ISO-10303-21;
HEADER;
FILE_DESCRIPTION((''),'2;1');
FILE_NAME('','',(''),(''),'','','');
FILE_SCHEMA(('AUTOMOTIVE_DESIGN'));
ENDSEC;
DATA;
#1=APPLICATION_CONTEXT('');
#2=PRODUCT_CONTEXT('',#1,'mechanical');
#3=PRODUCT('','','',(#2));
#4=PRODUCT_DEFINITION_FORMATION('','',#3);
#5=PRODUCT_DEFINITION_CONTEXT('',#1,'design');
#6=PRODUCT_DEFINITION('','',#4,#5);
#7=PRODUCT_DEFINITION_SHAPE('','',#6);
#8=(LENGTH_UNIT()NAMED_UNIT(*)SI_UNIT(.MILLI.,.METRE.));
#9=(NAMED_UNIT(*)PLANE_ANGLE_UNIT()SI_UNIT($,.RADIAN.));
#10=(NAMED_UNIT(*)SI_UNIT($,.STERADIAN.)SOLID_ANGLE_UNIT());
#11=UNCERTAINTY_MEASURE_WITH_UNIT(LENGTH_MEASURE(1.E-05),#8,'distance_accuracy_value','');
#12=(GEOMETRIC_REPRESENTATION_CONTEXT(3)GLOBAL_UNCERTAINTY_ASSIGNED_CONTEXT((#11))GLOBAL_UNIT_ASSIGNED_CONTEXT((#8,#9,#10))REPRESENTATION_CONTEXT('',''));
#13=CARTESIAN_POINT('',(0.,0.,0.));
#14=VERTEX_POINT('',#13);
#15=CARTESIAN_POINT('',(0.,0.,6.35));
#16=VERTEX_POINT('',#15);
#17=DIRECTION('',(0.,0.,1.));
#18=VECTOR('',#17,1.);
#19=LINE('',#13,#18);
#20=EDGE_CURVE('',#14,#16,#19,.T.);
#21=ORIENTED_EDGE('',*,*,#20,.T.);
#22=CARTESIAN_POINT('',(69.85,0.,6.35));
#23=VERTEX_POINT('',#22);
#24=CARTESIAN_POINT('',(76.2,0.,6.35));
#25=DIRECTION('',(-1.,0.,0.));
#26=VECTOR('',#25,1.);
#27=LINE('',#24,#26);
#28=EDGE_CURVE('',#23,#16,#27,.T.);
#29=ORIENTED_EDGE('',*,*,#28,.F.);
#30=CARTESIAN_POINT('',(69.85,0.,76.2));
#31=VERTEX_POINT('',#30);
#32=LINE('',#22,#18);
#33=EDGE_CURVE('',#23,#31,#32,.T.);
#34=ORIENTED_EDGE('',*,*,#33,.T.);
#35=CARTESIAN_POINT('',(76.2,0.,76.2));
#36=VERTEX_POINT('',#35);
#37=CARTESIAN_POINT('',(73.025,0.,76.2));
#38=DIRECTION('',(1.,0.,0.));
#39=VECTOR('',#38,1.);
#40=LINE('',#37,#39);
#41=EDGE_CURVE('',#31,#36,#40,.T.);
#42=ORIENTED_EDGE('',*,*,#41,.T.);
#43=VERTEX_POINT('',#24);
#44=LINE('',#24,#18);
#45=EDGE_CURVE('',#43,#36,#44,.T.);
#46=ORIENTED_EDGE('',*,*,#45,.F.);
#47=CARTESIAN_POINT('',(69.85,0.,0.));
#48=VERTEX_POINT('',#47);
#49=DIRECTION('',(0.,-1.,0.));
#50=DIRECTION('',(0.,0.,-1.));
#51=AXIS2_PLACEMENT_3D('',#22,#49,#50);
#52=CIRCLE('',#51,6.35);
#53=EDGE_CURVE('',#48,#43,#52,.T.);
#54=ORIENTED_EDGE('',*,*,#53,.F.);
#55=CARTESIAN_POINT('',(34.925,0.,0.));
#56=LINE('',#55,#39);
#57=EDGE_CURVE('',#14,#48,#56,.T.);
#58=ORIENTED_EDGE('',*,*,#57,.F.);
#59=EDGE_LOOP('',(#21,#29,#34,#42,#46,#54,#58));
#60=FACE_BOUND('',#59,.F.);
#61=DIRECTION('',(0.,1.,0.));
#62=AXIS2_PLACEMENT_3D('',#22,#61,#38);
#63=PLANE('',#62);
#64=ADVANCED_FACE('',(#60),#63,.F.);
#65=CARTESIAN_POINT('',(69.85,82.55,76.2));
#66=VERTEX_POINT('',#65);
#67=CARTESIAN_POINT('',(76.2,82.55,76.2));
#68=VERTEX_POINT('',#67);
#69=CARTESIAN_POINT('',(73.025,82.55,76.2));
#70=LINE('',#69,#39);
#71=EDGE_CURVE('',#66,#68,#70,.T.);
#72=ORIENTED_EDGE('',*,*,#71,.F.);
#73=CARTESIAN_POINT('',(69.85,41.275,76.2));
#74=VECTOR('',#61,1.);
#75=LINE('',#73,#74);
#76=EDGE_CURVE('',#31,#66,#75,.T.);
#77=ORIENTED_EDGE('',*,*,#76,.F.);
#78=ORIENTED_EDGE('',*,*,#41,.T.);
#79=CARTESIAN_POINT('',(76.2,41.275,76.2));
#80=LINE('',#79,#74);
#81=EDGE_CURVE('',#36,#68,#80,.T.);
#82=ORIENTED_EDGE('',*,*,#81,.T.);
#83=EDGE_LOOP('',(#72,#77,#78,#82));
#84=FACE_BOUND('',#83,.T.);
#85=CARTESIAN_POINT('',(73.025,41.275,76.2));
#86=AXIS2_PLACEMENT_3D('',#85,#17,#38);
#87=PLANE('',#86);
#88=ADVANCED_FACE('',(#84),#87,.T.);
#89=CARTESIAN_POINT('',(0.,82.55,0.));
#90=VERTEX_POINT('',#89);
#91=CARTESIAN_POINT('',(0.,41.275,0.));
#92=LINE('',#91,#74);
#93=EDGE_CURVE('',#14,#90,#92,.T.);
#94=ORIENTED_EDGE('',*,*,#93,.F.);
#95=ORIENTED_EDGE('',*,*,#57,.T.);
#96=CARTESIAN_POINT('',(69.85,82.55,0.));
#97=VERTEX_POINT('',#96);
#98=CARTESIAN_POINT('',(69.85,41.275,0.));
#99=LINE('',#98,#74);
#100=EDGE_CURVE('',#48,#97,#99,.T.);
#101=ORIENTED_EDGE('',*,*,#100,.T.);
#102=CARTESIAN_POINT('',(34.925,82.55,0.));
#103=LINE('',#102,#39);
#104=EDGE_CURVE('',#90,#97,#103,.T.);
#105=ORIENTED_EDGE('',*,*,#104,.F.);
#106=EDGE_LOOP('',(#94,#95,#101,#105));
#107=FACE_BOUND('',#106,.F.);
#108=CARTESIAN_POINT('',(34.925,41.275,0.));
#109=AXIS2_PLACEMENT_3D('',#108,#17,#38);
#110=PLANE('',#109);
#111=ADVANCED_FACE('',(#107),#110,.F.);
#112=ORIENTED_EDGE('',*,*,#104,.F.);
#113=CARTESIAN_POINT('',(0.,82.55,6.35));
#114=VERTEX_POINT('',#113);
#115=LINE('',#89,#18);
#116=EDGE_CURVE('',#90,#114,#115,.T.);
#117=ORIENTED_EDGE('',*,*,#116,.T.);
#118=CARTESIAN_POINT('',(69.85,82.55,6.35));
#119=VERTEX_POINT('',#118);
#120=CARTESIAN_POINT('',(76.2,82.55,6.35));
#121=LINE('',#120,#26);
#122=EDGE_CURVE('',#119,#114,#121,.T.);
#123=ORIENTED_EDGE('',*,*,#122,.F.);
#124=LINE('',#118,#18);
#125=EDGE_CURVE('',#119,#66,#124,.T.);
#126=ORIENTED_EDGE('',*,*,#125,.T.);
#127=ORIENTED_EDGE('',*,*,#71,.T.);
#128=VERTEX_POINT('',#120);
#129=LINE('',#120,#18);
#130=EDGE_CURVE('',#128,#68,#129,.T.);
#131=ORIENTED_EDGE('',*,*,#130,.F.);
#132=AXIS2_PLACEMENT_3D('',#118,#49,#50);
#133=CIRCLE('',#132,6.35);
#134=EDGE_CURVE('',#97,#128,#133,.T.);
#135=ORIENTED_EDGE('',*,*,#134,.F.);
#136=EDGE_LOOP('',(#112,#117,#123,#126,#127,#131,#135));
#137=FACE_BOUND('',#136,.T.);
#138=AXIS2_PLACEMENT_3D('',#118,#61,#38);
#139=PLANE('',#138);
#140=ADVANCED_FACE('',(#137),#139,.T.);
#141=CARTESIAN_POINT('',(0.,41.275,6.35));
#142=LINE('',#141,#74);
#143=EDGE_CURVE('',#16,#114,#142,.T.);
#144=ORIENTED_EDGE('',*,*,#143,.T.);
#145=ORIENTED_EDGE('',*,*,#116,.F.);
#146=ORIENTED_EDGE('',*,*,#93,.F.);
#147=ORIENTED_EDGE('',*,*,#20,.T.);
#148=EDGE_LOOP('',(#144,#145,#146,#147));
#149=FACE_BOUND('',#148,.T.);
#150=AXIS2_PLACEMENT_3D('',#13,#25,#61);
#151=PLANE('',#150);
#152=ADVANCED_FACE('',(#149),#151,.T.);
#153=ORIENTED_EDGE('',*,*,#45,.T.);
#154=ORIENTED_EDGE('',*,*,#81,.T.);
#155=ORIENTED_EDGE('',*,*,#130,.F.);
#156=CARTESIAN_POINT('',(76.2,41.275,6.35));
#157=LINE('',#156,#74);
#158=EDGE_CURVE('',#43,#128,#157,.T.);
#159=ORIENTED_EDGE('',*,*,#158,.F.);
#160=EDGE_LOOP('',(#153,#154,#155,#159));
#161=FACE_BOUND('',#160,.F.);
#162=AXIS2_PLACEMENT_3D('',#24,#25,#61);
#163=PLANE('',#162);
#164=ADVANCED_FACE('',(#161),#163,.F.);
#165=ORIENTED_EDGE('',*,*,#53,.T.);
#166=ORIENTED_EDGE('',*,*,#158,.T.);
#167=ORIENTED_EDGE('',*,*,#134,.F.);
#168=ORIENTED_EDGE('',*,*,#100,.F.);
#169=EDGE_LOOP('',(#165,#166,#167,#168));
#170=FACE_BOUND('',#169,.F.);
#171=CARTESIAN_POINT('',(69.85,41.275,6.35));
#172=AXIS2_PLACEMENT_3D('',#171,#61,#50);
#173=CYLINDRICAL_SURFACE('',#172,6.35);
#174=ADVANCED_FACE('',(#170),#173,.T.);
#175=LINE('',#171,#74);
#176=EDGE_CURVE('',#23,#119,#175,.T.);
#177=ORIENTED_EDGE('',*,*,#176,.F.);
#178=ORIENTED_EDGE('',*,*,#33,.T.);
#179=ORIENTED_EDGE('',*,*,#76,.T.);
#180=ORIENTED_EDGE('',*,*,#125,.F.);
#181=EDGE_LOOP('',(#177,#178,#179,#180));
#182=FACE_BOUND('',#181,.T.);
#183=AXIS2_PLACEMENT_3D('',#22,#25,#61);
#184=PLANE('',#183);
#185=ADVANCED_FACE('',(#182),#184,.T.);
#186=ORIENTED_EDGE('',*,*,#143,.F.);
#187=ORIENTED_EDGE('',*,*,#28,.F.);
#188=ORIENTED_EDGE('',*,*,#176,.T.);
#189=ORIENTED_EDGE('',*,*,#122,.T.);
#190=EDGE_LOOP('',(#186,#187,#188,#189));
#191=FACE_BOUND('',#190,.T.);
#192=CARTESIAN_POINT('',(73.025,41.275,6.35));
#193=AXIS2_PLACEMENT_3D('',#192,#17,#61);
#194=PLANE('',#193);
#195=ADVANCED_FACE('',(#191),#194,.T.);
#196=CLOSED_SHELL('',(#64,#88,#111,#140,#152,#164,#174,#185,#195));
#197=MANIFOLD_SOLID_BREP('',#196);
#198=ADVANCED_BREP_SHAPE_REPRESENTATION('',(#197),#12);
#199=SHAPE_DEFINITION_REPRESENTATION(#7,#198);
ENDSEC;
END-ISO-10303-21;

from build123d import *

# Parameters (mm, degrees)
F0_W     = 69.85
F0_H     = 82.55
F1_DEPTH = 6.35
F2_W     = 82.55
F2_H     = 6.35
F3_ANGLE = -90
F4_W     = 6.35
F4_H     = 82.55
F5_DEPTH = 69.85


with BuildPart() as f1:
    # F0 (on Top) → F1 (new body)
    with BuildSketch(Plane.XY):
        with Locations((34.925, 41.275)):
            Rectangle(F0_W, F0_H)
    extrude(amount=F1_DEPTH)

    # F2 (on face) → F3 (revolve)
    with BuildSketch(Plane.YZ.offset(69.85)):
        with Locations((41.275, 3.175)):
            Rectangle(F2_W, F2_H)
    revolve(axis=Axis((69.85, 41.275, 6.35), (0, 1, 0)), revolution_arc=F3_ANGLE)

    # F4 (on face) → F5 (join)
    with BuildSketch(Plane.XY.offset(6.35)):
        with Locations((73.025, 41.275)):
            Rectangle(F4_W, F4_H)
    extrude(amount=F5_DEPTH)


solid = f1.part
